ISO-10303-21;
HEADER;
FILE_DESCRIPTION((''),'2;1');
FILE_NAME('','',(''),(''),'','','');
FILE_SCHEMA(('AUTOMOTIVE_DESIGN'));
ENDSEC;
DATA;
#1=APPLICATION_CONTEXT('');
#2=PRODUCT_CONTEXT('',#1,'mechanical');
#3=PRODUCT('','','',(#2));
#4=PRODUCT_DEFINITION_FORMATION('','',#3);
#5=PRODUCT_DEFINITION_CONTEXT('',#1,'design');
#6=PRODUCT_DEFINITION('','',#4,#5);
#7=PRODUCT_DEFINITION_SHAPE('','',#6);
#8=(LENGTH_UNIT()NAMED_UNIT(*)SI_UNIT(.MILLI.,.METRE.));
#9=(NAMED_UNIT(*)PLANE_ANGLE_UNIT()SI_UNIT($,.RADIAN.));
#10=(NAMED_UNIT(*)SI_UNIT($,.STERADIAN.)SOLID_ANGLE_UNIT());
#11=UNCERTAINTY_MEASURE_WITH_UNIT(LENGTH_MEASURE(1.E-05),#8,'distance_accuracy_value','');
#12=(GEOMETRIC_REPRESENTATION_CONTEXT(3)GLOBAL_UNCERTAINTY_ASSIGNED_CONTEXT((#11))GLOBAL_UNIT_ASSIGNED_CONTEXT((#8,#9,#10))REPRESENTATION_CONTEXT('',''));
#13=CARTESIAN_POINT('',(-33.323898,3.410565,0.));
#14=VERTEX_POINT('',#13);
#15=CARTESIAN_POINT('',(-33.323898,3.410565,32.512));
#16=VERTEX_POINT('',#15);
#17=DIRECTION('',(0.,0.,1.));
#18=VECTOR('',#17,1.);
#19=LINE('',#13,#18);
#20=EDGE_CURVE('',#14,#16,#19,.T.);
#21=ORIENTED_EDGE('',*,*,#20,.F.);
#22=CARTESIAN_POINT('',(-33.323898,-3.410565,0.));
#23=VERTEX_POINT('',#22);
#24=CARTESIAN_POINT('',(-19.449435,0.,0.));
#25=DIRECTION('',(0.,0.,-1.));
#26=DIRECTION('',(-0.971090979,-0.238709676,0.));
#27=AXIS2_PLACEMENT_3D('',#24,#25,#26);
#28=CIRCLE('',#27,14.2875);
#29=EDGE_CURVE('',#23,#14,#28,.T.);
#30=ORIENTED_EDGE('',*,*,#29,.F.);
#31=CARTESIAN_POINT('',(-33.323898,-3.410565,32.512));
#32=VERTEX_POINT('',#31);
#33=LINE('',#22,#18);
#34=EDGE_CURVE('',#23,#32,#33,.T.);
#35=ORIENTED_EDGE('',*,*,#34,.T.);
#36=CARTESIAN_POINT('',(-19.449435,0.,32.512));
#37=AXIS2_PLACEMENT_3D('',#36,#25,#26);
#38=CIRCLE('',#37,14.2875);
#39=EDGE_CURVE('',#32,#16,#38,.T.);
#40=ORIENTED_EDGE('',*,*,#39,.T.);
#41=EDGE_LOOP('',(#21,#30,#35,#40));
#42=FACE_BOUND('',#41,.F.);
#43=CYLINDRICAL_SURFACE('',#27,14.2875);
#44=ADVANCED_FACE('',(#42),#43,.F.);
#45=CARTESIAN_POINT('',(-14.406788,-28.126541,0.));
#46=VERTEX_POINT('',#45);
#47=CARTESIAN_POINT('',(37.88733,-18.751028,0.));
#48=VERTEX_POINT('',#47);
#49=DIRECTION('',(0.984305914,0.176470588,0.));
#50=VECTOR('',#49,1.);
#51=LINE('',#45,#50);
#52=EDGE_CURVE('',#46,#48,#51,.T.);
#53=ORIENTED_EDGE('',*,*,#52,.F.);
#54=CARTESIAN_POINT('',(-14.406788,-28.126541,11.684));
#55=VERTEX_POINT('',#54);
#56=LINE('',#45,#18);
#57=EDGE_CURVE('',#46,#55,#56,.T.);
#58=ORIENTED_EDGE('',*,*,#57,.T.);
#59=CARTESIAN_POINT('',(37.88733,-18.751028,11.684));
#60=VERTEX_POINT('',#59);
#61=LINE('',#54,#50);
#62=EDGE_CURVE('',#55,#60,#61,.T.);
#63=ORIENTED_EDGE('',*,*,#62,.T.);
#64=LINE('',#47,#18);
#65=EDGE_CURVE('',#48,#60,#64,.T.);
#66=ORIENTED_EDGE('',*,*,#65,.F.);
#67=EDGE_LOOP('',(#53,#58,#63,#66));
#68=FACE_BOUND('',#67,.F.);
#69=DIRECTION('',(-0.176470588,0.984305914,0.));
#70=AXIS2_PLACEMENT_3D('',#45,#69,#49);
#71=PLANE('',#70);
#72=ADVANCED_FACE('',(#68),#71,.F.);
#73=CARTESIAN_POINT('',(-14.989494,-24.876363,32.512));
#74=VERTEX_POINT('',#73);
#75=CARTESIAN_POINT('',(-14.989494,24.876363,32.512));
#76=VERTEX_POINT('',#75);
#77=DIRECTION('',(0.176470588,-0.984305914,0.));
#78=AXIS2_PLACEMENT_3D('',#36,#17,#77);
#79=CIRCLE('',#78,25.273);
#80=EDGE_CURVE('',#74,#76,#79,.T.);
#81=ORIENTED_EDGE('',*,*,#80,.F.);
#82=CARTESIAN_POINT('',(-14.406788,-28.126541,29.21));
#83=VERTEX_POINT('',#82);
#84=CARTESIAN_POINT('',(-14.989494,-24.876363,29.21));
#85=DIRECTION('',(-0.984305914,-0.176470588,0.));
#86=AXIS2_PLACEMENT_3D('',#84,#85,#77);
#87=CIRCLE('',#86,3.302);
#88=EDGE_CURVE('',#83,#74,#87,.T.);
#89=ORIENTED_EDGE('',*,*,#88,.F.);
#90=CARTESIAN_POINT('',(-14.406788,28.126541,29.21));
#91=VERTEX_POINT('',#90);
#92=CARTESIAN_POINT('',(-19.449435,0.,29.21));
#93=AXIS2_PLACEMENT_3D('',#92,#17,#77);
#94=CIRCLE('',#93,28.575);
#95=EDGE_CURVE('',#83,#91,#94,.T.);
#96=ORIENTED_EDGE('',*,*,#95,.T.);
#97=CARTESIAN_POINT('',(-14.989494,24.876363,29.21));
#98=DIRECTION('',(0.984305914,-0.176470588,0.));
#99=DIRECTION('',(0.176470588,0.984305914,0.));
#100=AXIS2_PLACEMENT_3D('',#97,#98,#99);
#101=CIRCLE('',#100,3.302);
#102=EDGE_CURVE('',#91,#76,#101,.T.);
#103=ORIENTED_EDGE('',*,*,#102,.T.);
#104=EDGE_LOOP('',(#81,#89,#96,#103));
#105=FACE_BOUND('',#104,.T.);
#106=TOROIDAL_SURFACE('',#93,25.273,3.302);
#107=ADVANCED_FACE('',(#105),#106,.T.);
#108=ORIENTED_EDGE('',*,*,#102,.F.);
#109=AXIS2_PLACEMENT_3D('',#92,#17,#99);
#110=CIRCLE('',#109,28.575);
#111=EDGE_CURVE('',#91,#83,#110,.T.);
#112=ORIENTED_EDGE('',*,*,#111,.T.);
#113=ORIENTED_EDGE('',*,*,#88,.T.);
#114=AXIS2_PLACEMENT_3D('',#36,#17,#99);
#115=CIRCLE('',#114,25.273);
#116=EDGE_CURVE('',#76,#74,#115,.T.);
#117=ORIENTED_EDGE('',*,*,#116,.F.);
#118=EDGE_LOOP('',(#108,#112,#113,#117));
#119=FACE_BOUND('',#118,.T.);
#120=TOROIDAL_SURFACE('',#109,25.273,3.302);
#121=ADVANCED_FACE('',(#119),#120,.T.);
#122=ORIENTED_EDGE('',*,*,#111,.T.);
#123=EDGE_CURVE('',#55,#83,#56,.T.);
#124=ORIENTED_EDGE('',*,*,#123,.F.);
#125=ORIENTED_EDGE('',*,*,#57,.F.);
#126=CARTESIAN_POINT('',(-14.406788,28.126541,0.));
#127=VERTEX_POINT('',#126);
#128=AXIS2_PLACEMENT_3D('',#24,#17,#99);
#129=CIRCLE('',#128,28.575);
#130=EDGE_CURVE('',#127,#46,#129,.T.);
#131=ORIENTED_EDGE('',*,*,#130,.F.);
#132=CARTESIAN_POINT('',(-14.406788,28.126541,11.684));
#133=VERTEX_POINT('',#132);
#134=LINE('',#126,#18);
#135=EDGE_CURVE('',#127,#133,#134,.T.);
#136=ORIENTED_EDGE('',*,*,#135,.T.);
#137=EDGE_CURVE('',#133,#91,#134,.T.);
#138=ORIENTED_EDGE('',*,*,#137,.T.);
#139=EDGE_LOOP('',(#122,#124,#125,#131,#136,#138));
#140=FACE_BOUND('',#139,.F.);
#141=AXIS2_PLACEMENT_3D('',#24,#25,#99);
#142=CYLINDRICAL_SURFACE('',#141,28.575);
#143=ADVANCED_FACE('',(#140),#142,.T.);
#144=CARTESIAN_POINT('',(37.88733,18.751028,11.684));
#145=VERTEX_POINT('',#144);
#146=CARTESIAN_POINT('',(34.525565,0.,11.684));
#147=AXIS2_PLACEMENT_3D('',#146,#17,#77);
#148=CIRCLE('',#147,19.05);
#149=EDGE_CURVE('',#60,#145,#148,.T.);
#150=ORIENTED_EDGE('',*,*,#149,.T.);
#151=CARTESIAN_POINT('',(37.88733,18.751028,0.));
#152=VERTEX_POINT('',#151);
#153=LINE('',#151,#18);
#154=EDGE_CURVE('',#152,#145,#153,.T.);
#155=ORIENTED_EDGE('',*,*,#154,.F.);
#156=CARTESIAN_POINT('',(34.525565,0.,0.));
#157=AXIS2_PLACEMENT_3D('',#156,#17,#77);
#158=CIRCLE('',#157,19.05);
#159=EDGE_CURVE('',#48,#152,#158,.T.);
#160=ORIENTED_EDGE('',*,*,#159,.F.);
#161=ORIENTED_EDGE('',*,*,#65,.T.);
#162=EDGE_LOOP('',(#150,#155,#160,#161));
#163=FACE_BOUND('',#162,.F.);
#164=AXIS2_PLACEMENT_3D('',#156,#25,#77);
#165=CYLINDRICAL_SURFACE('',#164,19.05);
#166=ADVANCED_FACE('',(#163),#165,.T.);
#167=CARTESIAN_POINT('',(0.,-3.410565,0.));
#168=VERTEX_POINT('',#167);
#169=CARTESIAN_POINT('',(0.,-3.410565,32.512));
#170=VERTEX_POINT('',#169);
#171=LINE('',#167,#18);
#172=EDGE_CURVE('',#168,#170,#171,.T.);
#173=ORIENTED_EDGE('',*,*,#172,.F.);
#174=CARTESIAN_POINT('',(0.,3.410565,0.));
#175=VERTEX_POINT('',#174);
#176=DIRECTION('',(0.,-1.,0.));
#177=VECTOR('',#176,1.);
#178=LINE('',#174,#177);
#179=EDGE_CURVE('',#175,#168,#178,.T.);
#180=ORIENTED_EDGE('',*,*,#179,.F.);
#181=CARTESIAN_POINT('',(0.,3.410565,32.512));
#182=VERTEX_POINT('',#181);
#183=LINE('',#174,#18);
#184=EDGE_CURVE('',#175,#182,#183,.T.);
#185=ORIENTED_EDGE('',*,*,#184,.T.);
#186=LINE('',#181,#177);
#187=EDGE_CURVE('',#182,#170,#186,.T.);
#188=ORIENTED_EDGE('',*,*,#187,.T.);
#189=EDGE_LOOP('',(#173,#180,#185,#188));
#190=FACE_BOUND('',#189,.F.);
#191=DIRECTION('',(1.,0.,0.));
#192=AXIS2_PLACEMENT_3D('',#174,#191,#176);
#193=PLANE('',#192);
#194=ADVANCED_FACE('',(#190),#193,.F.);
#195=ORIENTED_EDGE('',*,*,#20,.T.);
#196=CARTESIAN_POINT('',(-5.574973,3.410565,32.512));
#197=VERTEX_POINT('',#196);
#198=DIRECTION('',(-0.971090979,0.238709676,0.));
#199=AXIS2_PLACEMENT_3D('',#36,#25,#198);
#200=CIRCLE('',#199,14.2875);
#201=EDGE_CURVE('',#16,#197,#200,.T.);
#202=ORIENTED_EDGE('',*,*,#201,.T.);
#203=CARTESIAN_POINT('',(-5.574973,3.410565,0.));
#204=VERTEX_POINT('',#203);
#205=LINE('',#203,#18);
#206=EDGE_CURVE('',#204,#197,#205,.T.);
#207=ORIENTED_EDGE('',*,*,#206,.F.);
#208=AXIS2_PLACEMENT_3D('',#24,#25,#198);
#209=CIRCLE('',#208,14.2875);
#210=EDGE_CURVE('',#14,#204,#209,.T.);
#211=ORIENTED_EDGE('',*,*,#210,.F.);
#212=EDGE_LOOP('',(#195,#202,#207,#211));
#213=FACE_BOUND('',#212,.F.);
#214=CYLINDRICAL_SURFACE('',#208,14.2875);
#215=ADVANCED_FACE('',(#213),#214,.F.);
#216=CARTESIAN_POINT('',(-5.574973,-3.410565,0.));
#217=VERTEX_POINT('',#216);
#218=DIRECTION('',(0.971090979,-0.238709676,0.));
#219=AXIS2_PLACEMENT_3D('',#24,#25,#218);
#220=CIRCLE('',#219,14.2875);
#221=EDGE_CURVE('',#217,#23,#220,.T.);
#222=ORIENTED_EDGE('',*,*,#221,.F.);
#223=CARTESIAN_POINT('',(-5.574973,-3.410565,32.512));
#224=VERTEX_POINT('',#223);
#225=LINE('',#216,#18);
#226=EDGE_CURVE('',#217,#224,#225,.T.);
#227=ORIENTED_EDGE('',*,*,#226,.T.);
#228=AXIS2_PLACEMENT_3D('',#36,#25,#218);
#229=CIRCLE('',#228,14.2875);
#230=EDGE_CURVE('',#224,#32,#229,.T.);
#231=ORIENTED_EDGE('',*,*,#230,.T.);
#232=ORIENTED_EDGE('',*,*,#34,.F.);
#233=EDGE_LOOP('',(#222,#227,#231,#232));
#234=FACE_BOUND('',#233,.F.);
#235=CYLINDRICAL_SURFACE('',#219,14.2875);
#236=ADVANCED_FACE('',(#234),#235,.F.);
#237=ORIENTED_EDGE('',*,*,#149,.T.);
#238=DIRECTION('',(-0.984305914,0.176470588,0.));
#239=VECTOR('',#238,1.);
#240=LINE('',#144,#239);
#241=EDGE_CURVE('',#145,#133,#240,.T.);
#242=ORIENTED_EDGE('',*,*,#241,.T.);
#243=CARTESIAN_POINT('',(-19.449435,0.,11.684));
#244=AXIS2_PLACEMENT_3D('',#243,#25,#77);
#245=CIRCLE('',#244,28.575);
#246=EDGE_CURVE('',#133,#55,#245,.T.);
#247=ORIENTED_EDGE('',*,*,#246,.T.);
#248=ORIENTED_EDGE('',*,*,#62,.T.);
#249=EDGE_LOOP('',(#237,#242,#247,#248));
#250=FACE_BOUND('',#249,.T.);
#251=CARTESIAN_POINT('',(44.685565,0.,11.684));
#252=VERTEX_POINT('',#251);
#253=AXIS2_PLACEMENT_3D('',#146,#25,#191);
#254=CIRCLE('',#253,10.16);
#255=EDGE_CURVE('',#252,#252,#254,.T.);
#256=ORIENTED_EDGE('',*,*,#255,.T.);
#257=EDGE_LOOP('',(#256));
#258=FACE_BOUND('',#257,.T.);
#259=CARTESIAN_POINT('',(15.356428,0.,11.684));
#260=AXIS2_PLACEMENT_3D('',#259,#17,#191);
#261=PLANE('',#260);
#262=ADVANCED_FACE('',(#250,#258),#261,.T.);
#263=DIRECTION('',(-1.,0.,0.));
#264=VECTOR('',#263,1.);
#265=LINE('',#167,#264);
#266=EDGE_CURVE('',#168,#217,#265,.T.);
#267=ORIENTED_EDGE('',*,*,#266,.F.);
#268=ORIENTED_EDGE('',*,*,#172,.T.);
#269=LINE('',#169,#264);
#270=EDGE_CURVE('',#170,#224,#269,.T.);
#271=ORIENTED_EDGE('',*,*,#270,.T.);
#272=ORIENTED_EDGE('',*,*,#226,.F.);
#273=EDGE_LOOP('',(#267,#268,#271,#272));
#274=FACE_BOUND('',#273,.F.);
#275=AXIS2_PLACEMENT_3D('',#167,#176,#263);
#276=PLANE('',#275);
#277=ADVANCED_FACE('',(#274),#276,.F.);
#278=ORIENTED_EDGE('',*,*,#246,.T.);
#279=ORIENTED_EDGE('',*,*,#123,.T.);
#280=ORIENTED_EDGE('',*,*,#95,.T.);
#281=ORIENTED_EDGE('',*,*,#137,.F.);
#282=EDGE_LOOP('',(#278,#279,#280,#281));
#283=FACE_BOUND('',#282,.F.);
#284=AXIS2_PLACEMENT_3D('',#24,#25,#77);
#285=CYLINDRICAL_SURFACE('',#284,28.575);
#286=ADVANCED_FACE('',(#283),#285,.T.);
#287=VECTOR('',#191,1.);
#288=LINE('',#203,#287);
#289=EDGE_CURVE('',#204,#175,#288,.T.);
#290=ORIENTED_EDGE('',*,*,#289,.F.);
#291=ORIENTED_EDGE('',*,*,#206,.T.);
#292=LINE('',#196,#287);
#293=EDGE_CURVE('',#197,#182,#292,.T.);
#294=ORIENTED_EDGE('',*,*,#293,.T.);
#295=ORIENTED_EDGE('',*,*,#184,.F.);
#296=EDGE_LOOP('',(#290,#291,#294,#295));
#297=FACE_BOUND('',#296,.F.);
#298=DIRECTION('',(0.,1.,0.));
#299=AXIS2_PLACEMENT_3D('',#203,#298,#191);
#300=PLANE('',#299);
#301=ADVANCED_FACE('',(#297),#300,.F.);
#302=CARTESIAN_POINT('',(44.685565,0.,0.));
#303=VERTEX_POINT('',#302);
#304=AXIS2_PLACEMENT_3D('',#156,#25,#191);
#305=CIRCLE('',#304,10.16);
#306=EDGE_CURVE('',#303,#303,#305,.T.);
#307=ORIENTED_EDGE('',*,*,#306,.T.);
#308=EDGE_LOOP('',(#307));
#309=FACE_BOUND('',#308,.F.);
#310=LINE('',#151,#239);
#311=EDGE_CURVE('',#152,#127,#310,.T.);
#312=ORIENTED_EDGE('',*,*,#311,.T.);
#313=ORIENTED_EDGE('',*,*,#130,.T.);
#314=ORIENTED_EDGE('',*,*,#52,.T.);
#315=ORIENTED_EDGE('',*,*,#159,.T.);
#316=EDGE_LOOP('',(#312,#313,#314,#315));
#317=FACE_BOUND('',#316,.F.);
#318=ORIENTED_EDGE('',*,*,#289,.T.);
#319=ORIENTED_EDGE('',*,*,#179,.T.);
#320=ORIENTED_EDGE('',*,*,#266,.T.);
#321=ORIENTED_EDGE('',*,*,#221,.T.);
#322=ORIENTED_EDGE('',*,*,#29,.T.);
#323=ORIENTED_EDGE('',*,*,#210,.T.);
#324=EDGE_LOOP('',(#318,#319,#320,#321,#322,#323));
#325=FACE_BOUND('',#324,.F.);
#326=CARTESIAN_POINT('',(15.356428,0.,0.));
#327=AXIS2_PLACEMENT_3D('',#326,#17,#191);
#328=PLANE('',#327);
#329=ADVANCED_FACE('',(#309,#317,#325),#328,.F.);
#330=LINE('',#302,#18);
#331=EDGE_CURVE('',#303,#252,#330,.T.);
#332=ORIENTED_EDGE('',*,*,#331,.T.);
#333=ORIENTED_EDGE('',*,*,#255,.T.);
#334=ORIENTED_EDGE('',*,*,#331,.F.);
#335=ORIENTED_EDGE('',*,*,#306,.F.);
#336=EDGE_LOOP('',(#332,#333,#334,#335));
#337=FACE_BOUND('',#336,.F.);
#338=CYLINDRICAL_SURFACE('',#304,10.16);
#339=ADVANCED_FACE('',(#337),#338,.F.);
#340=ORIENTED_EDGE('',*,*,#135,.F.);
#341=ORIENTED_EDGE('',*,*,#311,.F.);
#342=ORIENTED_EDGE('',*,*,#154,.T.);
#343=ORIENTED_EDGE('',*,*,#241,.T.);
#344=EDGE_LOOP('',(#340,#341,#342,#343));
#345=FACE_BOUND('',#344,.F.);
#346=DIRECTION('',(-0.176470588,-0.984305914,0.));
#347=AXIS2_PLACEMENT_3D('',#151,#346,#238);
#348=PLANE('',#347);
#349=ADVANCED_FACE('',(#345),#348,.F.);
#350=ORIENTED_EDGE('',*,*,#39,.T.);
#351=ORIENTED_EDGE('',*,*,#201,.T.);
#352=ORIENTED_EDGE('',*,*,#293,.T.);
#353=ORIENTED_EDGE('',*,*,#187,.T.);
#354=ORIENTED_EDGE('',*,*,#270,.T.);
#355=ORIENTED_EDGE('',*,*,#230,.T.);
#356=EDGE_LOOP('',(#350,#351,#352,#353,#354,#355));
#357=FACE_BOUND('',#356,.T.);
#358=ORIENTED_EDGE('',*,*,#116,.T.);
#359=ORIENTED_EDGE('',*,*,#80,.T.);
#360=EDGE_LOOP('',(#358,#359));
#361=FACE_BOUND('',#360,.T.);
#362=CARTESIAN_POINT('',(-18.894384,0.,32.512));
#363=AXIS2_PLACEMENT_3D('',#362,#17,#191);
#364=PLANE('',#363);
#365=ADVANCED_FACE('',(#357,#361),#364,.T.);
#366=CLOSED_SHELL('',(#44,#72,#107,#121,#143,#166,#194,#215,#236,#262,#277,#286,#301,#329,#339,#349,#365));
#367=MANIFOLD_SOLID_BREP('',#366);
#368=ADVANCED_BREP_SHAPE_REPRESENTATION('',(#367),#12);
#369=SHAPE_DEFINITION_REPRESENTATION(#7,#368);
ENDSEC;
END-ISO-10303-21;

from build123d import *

# Parameters (mm, degrees)
F0_R     = 24.8703157221
F1_DEPTH = 32.512
F2_DEPTH = 11.684
F3_R     = 3.302


with BuildPart() as f1:
    # F0 (on Top) → F1 (new body)
    with BuildSketch(Plane.XY):
        with BuildLine():
            ThreePointArc((-14.4067881156, -28.1265414802), (2.4665893818, -18.3362616868), (9.1255648255, 0))
            ThreePointArc((9.1255648255, 0), (2.4665893818, 18.3362616868), (-14.4067881156, 28.1265414802))
            ThreePointArc((-14.4067881156, 28.1265414802), (-48.0244351745, 0), (-14.4067881156, -28.1265414802))
        make_face()
        with Locations((-19.4494351745, 0)):
            Circle(F0_R, mode=Mode.SUBTRACT)
        with Locations((-19.4494351745, 0)):
            Circle(F0_R)
        with BuildLine():
            Line((0, 3.4105645027), (0, 0))
            Line((0, 0), (0, -3.4105645027))
            Line((0, -3.4105645027), (-5.5749728057, -3.4105645027))
            ThreePointArc((-5.5749728057, -3.4105645027), (-19.4494351745, -14.2875), (-33.3238975433, -3.4105645027))
            ThreePointArc((-33.3238975433, -3.4105645027), (-33.7369351745, 0), (-33.3238975433, 3.4105645027))
            ThreePointArc((-33.3238975433, 3.4105645027), (-19.4494351745, 14.2875), (-5.5749728057, 3.4105645027))
            Line((-5.5749728057, 3.4105645027), (0, 3.4105645027))
        make_face(mode=Mode.SUBTRACT)
    extrude(amount=F1_DEPTH)

    # F0 (on Top) → F2 (join)
    with BuildSketch(Plane.XY):
        with BuildLine():
            ThreePointArc((-14.4067881156, 28.1265414802), (2.4665893818, 18.3362616868), (9.1255648255, 0))
            ThreePointArc((9.1255648255, 0), (2.4665893818, -18.3362616868), (-14.4067881156, -28.1265414802))
            Line((-14.4067881156, -28.1265414802), (37.8873295314, -18.7510276535))
            ThreePointArc((37.8873295314, -18.7510276535), (53.5755648255, 0), (37.8873295314, 18.7510276535))
            Line((37.8873295314, 18.7510276535), (-14.4067881156, 28.1265414802))
        make_face()
        with BuildLine():
            ThreePointArc((24.3655648255, 0), (34.5255648255, 10.16), (44.6855648255, 0))
            ThreePointArc((44.6855648255, 0), (34.5255648255, -10.16), (24.3655648255, 0))
        make_face(mode=Mode.SUBTRACT)
        with BuildLine():
            ThreePointArc((-14.4067881156, -28.1265414802), (2.4665893818, -18.3362616868), (9.1255648255, 0))
            ThreePointArc((9.1255648255, 0), (2.4665893818, 18.3362616868), (-14.4067881156, 28.1265414802))
            ThreePointArc((-14.4067881156, 28.1265414802), (-48.0244351745, 0), (-14.4067881156, -28.1265414802))
        make_face()
        with Locations((-19.4494351745, 0)):
            Circle(F0_R, mode=Mode.SUBTRACT)
    extrude(amount=F2_DEPTH)

    # F3
    f3_edges = [f1.edges().sort_by_distance(p)[0] for p in [
        (-48.024435, 0, 32.512),
    ]]
    fillet(f3_edges, radius=F3_R)


solid = f1.part
